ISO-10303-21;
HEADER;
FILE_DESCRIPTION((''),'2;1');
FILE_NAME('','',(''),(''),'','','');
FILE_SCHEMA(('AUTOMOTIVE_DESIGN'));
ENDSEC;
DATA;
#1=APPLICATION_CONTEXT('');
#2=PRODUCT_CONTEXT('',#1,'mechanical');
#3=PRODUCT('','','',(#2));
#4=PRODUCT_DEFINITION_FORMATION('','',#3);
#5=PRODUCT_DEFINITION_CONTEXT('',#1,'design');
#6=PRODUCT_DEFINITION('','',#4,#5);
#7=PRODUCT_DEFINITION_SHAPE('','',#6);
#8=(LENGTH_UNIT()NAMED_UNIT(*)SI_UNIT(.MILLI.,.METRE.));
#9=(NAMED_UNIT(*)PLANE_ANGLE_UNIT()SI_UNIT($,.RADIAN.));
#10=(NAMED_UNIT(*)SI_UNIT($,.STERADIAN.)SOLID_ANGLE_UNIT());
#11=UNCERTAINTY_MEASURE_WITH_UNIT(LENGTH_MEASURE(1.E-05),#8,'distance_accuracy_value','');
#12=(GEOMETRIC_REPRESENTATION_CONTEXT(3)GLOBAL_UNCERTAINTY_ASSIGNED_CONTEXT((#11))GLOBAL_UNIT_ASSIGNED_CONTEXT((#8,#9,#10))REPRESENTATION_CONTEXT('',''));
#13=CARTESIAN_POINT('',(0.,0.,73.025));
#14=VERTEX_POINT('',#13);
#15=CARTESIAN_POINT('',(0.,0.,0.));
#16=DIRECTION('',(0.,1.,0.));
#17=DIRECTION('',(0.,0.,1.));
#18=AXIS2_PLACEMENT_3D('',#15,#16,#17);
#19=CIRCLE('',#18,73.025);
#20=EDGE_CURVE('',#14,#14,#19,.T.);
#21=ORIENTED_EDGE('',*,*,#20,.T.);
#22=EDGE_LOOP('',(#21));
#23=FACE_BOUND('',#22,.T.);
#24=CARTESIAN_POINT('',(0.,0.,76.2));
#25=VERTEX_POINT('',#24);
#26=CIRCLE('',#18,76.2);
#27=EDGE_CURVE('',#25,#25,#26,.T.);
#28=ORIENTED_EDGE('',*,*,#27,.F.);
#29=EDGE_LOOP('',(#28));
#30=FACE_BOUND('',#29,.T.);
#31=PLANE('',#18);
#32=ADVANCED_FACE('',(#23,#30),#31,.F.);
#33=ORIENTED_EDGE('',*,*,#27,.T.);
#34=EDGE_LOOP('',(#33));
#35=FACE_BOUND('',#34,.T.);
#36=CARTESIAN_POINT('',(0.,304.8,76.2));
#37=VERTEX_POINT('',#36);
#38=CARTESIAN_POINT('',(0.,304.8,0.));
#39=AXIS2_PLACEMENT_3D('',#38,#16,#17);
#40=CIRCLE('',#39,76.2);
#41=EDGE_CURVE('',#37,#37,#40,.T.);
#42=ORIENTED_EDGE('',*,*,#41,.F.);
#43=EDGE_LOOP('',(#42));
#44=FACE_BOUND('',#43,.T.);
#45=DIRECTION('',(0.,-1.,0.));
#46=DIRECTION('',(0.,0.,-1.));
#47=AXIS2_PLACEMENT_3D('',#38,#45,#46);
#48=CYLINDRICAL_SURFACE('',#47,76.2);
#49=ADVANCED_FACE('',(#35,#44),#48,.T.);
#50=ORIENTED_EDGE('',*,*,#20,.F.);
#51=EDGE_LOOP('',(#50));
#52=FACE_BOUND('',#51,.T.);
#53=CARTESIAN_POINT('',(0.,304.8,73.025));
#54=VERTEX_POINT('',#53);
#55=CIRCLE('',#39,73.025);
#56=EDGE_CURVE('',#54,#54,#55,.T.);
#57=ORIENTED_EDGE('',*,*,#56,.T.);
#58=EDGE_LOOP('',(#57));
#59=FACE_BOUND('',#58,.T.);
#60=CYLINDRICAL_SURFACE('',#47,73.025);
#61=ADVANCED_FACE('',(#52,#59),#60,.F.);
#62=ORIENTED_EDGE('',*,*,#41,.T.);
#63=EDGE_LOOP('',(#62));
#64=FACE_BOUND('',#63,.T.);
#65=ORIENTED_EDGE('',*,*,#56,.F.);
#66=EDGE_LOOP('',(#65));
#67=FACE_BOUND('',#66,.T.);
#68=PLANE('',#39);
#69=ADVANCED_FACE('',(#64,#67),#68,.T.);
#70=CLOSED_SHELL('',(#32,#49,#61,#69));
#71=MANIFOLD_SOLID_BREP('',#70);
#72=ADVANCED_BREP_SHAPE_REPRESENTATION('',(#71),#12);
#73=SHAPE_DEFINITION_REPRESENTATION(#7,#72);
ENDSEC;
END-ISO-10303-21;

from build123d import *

# Parameters (mm, degrees)
SKETCH1_R           = 76.2
SKETCH1_R_2         = 73.025
BOSS_EXTRUDE1_DEPTH = 304.8


with BuildPart() as part:
    # Sketch1 → Boss-Extrude1 (new body)
    with BuildSketch(Plane(origin=(0, 0, 0), x_dir=(1, 0, 0), z_dir=(0, 1, 0))):
        Circle(SKETCH1_R)
        Circle(SKETCH1_R_2, mode=Mode.SUBTRACT)
    extrude(amount=BOSS_EXTRUDE1_DEPTH)


solid = part.part
